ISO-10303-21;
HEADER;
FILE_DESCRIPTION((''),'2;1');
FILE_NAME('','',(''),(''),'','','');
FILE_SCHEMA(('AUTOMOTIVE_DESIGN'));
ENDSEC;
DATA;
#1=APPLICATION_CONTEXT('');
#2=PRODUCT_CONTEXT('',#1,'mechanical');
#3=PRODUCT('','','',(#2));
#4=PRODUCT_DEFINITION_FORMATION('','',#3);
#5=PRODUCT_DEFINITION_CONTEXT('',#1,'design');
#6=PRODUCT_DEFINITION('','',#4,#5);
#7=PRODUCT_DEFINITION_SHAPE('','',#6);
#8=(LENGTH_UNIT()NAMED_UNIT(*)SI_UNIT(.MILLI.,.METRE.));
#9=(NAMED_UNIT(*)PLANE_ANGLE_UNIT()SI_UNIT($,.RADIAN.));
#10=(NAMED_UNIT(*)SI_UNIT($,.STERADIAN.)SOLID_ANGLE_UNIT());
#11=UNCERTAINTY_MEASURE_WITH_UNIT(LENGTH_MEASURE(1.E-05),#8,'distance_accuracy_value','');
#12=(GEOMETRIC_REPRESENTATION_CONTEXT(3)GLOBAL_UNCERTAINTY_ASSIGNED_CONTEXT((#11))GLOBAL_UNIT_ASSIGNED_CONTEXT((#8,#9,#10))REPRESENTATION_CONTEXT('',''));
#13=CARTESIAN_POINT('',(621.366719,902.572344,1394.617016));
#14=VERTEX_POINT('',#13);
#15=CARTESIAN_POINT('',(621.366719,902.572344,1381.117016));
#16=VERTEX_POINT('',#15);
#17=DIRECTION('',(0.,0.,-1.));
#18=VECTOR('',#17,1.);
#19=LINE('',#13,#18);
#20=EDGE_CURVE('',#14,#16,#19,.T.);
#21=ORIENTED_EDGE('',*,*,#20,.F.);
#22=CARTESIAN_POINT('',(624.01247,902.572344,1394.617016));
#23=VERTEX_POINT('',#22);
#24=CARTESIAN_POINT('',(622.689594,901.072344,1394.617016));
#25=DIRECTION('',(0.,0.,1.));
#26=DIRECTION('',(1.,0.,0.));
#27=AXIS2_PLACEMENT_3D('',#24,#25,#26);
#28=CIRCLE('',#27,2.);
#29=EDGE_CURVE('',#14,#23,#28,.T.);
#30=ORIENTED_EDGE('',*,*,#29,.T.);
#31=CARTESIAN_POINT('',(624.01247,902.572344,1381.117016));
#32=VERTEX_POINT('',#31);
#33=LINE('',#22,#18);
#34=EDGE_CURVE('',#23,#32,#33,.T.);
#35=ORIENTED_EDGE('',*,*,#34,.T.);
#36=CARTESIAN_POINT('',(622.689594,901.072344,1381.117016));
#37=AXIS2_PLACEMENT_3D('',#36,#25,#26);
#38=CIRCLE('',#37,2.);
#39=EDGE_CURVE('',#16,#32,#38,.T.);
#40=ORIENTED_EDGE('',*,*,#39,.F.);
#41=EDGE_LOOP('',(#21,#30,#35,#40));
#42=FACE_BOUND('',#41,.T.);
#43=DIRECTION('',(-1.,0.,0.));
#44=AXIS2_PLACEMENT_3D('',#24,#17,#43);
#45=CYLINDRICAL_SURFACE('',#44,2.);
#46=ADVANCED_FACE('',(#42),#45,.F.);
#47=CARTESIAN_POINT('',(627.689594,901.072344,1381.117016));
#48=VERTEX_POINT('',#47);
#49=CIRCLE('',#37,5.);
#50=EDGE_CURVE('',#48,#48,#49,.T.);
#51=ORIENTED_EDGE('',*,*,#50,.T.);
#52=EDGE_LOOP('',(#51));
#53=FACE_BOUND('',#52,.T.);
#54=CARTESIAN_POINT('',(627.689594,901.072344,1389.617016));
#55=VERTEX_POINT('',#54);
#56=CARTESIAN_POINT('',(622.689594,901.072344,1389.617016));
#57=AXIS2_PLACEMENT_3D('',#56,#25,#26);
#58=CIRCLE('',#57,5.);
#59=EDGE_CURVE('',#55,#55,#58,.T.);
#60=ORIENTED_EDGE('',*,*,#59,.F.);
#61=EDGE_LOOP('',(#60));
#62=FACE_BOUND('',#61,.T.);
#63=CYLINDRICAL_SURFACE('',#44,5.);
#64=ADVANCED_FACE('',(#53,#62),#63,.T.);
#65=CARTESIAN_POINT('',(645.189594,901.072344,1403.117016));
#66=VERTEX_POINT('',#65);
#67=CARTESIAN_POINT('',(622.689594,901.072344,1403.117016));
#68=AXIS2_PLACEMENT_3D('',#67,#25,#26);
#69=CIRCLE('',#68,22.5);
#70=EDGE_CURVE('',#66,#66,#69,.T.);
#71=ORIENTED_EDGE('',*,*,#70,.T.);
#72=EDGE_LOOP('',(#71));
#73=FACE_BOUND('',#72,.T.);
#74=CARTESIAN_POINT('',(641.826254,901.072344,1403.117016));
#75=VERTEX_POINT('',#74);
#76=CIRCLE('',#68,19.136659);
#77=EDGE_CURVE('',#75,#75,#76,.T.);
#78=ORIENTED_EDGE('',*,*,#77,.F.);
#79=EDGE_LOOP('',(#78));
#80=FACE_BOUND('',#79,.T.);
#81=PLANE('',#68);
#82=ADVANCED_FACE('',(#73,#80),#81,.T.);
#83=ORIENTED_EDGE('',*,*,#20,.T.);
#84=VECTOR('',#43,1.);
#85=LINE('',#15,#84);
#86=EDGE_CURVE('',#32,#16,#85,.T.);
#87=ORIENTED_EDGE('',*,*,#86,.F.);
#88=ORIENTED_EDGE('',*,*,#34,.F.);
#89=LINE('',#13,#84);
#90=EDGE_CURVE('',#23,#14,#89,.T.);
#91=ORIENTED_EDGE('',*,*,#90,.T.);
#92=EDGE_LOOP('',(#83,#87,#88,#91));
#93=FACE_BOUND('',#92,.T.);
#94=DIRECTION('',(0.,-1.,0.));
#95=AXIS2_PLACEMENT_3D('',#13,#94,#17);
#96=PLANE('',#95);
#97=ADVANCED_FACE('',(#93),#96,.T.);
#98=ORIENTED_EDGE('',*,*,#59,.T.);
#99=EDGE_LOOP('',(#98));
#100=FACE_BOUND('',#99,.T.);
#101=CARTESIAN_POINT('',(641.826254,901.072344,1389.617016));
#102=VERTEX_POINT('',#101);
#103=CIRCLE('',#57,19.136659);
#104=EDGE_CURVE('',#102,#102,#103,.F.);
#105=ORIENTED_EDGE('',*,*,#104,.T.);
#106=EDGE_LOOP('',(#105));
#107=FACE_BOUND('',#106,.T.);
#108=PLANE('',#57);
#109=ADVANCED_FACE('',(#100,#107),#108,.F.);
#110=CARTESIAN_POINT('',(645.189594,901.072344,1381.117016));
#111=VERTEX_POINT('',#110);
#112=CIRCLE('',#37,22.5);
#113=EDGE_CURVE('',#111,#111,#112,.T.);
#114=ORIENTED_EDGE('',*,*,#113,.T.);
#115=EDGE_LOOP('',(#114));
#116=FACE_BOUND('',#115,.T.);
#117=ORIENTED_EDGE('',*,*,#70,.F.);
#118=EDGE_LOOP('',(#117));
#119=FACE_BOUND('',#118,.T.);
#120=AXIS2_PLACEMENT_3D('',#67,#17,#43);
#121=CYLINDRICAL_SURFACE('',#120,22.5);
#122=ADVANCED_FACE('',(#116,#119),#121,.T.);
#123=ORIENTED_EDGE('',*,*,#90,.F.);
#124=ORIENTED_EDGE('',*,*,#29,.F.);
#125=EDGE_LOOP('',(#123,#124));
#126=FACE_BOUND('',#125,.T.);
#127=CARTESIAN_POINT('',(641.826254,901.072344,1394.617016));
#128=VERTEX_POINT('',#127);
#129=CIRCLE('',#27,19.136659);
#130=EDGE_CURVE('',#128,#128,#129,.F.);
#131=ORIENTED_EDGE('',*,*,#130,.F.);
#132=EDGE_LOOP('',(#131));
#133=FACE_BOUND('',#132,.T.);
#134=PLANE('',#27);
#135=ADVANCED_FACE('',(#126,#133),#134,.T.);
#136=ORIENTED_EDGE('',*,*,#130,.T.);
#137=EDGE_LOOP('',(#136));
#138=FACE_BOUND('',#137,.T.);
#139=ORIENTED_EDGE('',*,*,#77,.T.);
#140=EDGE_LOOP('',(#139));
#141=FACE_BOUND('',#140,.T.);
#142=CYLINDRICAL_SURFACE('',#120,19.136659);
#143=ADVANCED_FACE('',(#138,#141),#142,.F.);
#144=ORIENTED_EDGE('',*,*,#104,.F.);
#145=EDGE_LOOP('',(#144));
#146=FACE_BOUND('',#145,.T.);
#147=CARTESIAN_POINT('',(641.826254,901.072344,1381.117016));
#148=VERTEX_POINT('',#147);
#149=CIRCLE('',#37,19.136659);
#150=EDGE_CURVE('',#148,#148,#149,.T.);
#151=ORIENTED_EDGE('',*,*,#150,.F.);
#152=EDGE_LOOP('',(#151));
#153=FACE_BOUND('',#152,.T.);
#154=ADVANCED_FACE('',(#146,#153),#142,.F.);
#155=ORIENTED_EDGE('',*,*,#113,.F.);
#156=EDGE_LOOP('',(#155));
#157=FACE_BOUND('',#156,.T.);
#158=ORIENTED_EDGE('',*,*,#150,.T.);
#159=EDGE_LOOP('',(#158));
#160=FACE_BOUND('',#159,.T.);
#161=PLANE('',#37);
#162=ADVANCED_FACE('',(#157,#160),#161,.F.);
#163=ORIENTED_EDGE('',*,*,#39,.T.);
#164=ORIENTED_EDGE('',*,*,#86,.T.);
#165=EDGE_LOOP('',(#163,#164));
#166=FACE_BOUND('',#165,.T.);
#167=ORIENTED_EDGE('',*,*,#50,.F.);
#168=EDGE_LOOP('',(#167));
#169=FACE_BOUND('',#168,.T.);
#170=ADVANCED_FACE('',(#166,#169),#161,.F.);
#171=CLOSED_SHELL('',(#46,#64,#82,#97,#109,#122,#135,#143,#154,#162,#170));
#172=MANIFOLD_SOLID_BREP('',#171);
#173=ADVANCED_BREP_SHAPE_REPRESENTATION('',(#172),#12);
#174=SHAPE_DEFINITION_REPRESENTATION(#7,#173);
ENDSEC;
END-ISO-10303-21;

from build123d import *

# Parameters (mm, degrees)
SKETCH1_R           = 5
BOSS_EXTRUDE2_DEPTH = 13.5
SKETCH3_R           = 22.5
SKETCH3_R_2         = 19.136659322
BOSS_EXTRUDE3_DEPTH = 11
SKETCH4_R           = 20
SKETCH4_R_2         = 4.293447478
BOSS_EXTRUDE4_DEPTH = 2.5


with BuildPart() as part:
    # Sketch1 → Boss-Extrude2 (new body)
    with BuildSketch(Plane.XY.offset(1381.117015566)):
        with Locations((622.689594412, 901.072344281)):
            Circle(SKETCH1_R)
        with BuildLine():
            Line((621.366718756, 902.572344281), (624.012470067, 902.572344281))
            ThreePointArc((624.012470067, 902.572344281), (622.689594412, 899.072344281), (621.366718756, 902.572344281))
        make_face(mode=Mode.SUBTRACT)
    extrude(amount=BOSS_EXTRUDE2_DEPTH)



with BuildPart() as body_2:
    # Sketch3 → Boss-Extrude3 (new, symmetric)
    with BuildSketch(Plane.XY.offset(1392.117015566)):
        with Locations((622.689594412, 901.072344281)):
            Circle(SKETCH3_R)
        with Locations((622.689594412, 901.072344281)):
            Circle(SKETCH3_R_2, mode=Mode.SUBTRACT)
    extrude(amount=BOSS_EXTRUDE3_DEPTH, both=True)


with BuildPart() as part_1:
    add(part.part)

    add(body_2.part)  # Boss-Extrude4 merges body 2
    # Sketch4 → Boss-Extrude4 (add, symmetric)
    with BuildSketch(Plane.XY.offset(1392.117015566)):
        with Locations((622.689594412, 901.072344281)):
            Circle(SKETCH4_R)
        with Locations((622.689594412, 901.072344281)):
            Circle(SKETCH4_R_2, mode=Mode.SUBTRACT)
    extrude(amount=BOSS_EXTRUDE4_DEPTH, both=True)


solid = part_1.part
